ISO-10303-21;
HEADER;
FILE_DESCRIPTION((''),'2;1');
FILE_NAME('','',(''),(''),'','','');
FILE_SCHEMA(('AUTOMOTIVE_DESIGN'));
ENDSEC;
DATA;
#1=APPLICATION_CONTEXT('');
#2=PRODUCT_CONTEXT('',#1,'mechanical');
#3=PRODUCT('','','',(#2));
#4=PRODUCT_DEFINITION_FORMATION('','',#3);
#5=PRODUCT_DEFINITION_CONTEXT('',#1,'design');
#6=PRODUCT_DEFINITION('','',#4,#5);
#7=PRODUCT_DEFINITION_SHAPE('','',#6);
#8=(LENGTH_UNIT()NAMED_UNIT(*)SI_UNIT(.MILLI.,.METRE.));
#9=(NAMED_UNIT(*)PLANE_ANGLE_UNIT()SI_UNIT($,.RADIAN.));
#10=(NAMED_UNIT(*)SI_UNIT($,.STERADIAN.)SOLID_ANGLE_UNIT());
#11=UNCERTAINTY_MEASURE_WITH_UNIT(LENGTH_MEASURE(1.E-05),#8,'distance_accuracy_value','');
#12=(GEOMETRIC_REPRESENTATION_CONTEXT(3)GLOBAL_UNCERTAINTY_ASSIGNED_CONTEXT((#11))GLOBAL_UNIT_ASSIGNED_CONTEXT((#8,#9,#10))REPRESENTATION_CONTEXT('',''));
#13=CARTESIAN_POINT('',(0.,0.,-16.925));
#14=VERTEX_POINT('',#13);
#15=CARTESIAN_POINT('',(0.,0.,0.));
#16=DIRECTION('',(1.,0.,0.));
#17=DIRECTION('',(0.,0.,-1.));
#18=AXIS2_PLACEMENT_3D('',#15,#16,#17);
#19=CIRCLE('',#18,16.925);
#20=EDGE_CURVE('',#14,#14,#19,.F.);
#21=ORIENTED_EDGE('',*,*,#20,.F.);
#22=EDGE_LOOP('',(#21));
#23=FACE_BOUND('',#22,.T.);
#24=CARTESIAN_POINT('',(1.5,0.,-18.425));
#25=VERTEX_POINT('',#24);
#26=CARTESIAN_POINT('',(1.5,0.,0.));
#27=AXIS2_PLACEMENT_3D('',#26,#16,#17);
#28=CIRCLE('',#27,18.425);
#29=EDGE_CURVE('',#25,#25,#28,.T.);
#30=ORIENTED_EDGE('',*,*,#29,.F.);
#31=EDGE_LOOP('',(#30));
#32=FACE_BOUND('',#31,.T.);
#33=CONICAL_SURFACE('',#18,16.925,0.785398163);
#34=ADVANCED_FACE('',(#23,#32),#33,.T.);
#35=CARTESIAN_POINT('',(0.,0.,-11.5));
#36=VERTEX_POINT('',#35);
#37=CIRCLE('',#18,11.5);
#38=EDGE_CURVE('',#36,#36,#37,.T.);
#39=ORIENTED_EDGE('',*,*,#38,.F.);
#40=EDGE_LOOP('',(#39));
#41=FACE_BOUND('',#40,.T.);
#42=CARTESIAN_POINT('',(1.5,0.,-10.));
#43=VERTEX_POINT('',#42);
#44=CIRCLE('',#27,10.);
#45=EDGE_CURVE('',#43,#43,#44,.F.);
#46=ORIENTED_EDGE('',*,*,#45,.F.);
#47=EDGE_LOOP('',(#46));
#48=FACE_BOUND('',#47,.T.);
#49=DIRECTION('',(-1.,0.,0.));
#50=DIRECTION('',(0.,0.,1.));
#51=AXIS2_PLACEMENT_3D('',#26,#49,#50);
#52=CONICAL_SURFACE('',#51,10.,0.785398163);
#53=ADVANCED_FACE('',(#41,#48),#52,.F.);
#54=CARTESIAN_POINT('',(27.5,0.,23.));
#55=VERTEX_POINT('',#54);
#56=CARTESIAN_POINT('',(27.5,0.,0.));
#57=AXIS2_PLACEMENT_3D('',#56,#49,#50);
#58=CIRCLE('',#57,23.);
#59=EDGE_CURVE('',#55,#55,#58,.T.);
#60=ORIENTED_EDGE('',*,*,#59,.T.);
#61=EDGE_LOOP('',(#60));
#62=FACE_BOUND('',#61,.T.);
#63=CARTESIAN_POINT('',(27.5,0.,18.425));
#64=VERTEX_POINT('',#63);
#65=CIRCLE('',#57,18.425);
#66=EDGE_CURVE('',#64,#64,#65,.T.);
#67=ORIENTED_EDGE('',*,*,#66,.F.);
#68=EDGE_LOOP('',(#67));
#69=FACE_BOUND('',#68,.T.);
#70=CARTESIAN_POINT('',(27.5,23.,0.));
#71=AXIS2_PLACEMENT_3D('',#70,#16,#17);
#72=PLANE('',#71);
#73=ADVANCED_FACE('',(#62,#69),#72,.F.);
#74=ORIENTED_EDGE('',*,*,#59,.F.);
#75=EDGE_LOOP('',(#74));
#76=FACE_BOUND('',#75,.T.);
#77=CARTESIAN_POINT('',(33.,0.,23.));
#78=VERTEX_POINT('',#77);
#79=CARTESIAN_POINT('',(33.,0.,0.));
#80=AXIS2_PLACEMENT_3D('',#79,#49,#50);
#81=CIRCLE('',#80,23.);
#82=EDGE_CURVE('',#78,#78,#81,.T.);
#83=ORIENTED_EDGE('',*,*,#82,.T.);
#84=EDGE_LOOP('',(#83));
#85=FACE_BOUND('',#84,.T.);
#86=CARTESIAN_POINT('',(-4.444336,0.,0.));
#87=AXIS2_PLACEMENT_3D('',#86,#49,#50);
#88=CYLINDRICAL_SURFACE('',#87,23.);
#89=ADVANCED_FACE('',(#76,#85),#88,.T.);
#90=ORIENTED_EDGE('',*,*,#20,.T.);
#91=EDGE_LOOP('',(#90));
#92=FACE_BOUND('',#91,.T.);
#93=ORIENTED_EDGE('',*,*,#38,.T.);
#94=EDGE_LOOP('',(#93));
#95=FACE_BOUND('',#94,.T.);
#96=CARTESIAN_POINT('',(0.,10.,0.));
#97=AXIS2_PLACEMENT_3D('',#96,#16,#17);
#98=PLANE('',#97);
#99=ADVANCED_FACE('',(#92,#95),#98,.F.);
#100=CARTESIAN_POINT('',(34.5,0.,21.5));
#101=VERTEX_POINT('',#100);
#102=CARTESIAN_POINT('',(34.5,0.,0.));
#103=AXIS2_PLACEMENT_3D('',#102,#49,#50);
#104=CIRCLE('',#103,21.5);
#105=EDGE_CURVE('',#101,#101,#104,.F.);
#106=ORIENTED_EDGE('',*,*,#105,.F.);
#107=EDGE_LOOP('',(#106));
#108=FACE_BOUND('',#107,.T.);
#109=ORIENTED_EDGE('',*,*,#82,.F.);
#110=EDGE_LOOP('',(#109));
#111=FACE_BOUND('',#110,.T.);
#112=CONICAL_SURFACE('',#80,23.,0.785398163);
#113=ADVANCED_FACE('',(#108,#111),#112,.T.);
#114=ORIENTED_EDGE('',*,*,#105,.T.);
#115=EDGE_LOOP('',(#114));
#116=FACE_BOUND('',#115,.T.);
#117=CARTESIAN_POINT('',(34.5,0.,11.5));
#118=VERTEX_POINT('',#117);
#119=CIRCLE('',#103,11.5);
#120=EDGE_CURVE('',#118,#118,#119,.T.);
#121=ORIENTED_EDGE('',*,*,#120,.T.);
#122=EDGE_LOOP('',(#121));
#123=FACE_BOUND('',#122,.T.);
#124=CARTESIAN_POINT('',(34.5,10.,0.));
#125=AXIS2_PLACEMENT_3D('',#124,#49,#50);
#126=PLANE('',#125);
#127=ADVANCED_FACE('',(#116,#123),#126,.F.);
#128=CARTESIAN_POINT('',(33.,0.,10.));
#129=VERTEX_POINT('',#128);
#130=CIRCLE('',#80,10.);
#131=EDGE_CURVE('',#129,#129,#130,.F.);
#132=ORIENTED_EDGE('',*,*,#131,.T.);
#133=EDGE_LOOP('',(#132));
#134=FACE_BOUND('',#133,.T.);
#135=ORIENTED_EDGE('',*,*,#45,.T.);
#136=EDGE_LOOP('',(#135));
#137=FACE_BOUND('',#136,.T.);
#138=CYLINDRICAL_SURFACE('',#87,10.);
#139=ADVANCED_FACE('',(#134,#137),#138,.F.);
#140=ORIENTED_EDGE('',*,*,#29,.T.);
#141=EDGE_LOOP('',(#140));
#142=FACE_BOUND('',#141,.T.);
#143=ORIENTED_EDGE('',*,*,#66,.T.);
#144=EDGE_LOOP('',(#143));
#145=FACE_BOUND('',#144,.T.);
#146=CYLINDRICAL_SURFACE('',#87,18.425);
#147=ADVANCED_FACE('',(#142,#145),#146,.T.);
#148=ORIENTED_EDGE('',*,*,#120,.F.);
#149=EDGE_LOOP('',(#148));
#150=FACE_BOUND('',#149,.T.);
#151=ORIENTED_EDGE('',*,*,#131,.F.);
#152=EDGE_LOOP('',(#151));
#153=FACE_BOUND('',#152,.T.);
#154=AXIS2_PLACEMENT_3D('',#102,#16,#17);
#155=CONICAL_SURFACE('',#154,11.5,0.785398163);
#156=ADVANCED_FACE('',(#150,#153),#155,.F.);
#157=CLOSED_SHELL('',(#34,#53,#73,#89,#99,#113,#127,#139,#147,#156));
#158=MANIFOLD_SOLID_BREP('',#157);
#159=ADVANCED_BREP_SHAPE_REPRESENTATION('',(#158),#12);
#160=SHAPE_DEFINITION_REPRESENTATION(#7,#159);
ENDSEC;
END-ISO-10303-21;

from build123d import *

# Parameters (mm, degrees)
CHANFREIN1_SIZE = 1.5


with BuildPart() as part:
    # Esquisse1 → Révolution1 (revolve)
    with BuildSketch(Plane.XY, mode=Mode.PRIVATE) as r_volution1_sk:
        Polygon((0, 10), (0, 18.425), (27.5, 18.425), (27.5, 23), (34.5, 23), (34.5, 10), align=None)
    revolve(r_volution1_sk.sketch.rotate(Axis((-4.444335788, 0, 0), (1, 0, 0)), 90), axis=Axis((-4.444335788, 0, 0), (1, 0, 0)))  # turned: the seam where the file's is

    # Chanfrein1
    chanfrein1_edges = [part.edges().sort_by_distance(p)[0] for p in [
        (0, 0, -18.425),
        (0, 0, -10),
        (34.5, 0, -10),
        (34.5, 0, -23),
    ]]
    chamfer(chanfrein1_edges, length=CHANFREIN1_SIZE)


solid = part.part
